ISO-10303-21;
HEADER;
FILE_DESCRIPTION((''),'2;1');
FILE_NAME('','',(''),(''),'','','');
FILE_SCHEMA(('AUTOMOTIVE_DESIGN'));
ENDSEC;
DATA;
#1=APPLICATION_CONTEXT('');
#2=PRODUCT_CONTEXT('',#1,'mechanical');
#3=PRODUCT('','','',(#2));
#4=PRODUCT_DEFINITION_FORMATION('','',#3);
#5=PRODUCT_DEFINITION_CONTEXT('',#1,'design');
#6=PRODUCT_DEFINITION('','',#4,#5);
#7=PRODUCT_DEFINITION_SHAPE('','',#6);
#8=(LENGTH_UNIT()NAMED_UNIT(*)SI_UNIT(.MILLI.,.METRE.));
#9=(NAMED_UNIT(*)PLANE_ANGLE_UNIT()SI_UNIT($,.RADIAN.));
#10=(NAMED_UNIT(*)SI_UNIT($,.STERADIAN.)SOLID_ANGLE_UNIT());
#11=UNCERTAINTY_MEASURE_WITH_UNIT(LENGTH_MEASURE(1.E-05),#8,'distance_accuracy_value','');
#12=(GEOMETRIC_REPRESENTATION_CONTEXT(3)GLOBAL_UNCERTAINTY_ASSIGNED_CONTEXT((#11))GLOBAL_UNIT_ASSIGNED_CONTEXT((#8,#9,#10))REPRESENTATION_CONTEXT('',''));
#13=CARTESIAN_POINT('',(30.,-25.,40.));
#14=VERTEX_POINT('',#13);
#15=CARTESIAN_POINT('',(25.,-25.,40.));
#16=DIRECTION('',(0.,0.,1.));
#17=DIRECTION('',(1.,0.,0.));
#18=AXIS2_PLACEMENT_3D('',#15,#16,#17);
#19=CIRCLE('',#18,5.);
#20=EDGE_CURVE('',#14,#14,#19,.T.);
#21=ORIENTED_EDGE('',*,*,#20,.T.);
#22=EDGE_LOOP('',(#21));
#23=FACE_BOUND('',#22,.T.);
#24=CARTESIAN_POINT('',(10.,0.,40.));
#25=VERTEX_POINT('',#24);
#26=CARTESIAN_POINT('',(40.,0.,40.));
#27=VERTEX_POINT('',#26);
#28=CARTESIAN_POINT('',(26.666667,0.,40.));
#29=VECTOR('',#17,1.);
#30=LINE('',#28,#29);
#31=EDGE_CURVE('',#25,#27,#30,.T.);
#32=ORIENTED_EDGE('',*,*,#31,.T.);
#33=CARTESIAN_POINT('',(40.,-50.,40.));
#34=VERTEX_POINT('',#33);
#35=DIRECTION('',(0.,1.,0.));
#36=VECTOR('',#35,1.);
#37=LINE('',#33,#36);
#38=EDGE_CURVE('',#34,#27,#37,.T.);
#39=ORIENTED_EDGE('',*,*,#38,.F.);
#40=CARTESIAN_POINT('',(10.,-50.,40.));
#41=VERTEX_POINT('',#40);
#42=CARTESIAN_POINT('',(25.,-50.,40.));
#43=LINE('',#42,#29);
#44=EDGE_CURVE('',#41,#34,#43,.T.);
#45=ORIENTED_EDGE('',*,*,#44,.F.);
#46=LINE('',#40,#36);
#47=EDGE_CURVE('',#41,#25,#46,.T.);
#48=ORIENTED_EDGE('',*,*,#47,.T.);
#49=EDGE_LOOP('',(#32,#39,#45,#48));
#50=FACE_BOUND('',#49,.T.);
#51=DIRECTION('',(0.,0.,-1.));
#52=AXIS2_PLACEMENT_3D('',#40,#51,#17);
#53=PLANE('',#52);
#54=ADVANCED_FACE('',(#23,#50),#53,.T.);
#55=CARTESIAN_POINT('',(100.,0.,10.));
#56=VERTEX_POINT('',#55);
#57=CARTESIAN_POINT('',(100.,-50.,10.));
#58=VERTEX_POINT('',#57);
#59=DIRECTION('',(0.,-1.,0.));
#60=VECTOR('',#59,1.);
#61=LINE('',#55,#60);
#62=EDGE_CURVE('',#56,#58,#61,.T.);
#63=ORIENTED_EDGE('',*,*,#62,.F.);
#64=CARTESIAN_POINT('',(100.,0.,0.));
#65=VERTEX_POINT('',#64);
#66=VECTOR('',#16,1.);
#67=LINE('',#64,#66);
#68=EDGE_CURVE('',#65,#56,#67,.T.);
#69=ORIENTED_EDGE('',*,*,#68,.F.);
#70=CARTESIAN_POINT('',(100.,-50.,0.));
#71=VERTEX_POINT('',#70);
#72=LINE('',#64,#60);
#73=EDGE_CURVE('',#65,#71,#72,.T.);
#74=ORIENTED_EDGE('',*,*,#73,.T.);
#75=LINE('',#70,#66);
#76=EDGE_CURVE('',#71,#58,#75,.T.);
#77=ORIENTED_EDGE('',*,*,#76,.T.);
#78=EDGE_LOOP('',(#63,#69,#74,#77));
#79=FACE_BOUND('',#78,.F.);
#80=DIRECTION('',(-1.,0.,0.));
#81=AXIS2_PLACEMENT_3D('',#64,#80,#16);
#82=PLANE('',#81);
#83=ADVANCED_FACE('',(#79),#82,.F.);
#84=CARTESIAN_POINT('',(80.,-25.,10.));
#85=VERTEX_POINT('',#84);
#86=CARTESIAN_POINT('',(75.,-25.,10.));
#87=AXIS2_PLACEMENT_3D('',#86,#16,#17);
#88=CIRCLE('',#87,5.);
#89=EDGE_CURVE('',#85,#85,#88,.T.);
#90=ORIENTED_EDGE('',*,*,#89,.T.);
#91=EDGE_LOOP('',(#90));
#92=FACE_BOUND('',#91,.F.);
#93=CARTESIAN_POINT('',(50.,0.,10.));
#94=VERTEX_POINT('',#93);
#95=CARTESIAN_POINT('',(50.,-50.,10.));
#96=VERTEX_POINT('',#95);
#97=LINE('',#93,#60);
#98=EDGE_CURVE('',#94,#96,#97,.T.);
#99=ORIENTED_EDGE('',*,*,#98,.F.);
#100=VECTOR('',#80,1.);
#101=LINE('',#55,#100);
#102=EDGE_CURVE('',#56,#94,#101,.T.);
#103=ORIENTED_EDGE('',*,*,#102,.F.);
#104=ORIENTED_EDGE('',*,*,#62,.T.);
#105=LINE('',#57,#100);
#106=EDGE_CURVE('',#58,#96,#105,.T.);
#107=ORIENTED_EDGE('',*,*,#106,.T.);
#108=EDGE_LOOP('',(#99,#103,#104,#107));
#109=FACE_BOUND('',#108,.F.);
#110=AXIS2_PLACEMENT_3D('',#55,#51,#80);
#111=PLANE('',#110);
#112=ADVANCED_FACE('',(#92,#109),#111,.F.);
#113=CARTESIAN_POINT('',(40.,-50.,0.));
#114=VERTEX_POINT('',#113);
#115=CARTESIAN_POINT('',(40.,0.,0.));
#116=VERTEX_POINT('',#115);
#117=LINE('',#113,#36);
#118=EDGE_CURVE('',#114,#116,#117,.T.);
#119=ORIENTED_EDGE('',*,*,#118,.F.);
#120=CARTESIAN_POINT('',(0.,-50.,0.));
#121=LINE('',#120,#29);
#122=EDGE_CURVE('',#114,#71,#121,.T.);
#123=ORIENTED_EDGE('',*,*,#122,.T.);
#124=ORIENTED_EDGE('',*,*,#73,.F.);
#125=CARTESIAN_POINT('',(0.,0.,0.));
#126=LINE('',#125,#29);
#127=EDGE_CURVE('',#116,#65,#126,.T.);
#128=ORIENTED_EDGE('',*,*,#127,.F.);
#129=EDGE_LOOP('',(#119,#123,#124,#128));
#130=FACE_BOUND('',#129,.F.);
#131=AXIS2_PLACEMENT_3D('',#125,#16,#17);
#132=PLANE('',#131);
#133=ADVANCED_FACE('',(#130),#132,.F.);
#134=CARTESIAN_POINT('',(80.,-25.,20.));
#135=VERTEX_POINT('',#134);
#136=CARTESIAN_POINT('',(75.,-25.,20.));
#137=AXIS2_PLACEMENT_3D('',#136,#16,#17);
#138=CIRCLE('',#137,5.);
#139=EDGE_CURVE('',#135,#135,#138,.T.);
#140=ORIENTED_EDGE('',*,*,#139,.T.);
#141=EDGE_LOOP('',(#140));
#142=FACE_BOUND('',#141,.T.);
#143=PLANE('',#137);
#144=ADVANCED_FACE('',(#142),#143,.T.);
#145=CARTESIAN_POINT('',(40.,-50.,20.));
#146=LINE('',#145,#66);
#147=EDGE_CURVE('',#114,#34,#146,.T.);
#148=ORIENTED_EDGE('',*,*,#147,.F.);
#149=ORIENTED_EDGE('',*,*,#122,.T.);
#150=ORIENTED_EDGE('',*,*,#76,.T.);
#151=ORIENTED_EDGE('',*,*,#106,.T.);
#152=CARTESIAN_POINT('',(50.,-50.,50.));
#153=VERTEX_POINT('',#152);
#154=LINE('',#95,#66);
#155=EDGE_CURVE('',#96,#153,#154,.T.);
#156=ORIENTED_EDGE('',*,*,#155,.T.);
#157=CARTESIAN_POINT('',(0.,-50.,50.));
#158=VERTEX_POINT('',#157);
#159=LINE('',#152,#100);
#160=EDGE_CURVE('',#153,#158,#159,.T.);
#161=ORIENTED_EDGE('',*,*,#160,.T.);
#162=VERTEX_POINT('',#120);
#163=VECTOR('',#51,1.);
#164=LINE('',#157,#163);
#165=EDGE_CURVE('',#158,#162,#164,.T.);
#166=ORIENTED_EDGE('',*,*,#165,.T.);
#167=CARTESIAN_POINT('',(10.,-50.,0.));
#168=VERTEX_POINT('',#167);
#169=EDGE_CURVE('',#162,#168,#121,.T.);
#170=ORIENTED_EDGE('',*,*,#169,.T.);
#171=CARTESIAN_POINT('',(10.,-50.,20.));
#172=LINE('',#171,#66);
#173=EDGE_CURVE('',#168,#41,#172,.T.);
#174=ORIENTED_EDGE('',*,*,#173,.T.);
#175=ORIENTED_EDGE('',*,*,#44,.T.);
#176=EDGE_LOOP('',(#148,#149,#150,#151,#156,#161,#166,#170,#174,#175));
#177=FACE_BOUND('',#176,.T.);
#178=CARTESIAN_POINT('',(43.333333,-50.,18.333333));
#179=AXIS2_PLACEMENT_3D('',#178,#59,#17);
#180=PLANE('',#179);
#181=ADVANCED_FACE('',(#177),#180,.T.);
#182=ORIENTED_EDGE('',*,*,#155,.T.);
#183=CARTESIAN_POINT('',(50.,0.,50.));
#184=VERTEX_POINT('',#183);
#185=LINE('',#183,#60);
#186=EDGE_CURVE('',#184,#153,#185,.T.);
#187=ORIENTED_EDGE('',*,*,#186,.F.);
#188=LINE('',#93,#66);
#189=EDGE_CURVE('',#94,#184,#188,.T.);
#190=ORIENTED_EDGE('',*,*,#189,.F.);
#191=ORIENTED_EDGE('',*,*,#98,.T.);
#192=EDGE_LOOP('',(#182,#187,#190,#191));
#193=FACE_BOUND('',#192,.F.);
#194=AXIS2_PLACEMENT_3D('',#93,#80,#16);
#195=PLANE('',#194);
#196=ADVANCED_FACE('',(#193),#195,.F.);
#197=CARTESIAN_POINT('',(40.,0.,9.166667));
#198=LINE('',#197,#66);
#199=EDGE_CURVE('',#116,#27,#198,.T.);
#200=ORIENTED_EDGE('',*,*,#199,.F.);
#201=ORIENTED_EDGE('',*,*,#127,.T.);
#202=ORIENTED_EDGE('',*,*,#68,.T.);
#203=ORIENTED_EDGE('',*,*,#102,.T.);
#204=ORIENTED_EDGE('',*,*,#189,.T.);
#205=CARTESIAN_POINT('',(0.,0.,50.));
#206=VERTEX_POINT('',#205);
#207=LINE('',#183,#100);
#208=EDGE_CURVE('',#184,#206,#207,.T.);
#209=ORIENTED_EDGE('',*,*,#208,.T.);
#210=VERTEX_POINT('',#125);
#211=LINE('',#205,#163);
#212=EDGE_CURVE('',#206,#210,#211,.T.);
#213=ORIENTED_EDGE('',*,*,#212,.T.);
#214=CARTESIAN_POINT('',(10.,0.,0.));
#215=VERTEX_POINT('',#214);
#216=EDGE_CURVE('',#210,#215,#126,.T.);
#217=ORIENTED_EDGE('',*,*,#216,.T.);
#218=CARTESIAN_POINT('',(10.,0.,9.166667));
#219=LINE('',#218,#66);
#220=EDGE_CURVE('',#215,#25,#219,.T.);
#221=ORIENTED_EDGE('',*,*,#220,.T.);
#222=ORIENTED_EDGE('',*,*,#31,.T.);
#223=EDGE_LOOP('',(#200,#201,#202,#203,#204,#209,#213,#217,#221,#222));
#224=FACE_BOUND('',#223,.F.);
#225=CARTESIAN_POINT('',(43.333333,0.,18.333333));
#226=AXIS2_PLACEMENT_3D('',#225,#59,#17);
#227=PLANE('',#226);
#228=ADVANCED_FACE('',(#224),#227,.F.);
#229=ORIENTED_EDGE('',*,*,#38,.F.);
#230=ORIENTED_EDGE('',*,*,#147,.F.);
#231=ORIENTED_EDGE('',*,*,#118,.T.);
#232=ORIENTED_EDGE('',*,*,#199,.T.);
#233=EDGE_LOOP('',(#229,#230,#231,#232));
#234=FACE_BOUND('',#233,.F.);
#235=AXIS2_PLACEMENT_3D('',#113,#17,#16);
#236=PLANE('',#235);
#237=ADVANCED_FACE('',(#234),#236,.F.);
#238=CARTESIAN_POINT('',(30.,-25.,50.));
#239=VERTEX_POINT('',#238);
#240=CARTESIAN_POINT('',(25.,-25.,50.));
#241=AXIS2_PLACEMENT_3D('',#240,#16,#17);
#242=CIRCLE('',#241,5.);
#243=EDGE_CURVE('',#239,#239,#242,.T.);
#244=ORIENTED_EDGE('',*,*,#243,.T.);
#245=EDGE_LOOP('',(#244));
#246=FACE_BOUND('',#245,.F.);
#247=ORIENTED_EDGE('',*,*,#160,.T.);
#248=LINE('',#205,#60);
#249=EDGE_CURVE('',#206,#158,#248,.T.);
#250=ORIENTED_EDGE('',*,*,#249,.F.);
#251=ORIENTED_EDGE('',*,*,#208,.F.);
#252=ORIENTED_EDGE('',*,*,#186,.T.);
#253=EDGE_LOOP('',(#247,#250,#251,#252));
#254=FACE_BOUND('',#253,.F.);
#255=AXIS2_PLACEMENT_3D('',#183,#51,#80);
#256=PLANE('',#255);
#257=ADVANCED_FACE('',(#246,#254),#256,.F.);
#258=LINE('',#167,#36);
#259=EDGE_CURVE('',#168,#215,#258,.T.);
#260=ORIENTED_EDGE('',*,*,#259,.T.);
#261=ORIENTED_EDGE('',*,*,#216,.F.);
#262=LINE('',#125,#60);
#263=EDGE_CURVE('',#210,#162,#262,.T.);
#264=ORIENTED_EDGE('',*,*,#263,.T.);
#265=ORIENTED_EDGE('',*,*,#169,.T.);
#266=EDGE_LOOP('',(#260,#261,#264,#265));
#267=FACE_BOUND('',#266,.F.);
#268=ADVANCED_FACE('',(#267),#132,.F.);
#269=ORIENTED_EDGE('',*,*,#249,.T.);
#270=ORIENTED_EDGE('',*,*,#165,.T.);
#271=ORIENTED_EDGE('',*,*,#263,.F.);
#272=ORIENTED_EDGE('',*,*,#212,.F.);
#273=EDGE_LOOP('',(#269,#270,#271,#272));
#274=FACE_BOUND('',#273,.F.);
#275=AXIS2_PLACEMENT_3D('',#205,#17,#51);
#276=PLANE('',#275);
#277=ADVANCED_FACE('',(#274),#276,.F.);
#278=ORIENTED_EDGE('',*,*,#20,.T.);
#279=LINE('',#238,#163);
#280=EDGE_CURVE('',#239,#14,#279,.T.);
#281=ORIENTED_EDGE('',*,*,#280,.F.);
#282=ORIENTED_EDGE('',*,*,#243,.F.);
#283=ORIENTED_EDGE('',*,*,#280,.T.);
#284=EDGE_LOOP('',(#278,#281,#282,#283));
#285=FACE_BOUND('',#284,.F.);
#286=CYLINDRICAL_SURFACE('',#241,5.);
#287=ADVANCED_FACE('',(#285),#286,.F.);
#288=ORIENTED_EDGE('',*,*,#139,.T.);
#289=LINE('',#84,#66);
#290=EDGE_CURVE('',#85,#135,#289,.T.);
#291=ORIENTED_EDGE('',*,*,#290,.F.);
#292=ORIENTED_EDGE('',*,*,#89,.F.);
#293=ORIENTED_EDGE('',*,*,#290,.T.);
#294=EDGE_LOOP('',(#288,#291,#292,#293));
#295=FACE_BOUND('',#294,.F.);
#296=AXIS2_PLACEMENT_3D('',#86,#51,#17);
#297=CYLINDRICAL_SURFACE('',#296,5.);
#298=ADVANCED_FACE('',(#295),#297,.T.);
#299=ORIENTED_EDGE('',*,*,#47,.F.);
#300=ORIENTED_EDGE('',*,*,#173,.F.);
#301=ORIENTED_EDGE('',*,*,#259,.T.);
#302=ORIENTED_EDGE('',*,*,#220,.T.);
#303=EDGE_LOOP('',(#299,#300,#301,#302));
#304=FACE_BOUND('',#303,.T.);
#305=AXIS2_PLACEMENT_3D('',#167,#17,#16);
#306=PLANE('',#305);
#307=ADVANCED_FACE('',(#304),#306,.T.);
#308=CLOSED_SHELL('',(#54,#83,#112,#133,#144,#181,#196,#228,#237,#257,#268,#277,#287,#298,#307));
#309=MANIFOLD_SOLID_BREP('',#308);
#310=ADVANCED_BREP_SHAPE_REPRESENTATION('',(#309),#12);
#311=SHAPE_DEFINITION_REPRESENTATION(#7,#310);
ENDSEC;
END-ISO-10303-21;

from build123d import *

# Parameters (mm, degrees)
F1_DEPTH = 50
F2_W     = 30
F2_H     = 40
F3_DEPTH = 50.001
F4_R     = 5
F5_DEPTH = 50.001
F6_R     = 5
F7_DEPTH = 10


with BuildPart() as f1:
    # F0 (on Front) → F1 (new body)
    with BuildSketch(Plane.XZ):
        Polygon((0, 50), (0, 0), (100, 0), (100, 10), (50, 10), (50, 50), align=None)
    extrude(amount=F1_DEPTH)

    # F2 (on face) → F3 (cut, through all)
    with BuildSketch(Plane.XZ.offset(50)):
        with Locations((25, 20)):
            Rectangle(F2_W, F2_H)
    extrude(amount=-F3_DEPTH, mode=Mode.SUBTRACT)

    # F4 (on face) → F5 (cut, through all)
    with BuildSketch(Plane.XY.offset(50)):
        with Locations((25, -25)):
            Circle(F4_R)
    extrude(amount=-F5_DEPTH, mode=Mode.SUBTRACT)

    # F6 (on face) → F7 (join)
    with BuildSketch(Plane.XY.offset(10)):
        with Locations((75, -25)):
            Circle(F6_R)
    extrude(amount=F7_DEPTH)


solid = f1.part
